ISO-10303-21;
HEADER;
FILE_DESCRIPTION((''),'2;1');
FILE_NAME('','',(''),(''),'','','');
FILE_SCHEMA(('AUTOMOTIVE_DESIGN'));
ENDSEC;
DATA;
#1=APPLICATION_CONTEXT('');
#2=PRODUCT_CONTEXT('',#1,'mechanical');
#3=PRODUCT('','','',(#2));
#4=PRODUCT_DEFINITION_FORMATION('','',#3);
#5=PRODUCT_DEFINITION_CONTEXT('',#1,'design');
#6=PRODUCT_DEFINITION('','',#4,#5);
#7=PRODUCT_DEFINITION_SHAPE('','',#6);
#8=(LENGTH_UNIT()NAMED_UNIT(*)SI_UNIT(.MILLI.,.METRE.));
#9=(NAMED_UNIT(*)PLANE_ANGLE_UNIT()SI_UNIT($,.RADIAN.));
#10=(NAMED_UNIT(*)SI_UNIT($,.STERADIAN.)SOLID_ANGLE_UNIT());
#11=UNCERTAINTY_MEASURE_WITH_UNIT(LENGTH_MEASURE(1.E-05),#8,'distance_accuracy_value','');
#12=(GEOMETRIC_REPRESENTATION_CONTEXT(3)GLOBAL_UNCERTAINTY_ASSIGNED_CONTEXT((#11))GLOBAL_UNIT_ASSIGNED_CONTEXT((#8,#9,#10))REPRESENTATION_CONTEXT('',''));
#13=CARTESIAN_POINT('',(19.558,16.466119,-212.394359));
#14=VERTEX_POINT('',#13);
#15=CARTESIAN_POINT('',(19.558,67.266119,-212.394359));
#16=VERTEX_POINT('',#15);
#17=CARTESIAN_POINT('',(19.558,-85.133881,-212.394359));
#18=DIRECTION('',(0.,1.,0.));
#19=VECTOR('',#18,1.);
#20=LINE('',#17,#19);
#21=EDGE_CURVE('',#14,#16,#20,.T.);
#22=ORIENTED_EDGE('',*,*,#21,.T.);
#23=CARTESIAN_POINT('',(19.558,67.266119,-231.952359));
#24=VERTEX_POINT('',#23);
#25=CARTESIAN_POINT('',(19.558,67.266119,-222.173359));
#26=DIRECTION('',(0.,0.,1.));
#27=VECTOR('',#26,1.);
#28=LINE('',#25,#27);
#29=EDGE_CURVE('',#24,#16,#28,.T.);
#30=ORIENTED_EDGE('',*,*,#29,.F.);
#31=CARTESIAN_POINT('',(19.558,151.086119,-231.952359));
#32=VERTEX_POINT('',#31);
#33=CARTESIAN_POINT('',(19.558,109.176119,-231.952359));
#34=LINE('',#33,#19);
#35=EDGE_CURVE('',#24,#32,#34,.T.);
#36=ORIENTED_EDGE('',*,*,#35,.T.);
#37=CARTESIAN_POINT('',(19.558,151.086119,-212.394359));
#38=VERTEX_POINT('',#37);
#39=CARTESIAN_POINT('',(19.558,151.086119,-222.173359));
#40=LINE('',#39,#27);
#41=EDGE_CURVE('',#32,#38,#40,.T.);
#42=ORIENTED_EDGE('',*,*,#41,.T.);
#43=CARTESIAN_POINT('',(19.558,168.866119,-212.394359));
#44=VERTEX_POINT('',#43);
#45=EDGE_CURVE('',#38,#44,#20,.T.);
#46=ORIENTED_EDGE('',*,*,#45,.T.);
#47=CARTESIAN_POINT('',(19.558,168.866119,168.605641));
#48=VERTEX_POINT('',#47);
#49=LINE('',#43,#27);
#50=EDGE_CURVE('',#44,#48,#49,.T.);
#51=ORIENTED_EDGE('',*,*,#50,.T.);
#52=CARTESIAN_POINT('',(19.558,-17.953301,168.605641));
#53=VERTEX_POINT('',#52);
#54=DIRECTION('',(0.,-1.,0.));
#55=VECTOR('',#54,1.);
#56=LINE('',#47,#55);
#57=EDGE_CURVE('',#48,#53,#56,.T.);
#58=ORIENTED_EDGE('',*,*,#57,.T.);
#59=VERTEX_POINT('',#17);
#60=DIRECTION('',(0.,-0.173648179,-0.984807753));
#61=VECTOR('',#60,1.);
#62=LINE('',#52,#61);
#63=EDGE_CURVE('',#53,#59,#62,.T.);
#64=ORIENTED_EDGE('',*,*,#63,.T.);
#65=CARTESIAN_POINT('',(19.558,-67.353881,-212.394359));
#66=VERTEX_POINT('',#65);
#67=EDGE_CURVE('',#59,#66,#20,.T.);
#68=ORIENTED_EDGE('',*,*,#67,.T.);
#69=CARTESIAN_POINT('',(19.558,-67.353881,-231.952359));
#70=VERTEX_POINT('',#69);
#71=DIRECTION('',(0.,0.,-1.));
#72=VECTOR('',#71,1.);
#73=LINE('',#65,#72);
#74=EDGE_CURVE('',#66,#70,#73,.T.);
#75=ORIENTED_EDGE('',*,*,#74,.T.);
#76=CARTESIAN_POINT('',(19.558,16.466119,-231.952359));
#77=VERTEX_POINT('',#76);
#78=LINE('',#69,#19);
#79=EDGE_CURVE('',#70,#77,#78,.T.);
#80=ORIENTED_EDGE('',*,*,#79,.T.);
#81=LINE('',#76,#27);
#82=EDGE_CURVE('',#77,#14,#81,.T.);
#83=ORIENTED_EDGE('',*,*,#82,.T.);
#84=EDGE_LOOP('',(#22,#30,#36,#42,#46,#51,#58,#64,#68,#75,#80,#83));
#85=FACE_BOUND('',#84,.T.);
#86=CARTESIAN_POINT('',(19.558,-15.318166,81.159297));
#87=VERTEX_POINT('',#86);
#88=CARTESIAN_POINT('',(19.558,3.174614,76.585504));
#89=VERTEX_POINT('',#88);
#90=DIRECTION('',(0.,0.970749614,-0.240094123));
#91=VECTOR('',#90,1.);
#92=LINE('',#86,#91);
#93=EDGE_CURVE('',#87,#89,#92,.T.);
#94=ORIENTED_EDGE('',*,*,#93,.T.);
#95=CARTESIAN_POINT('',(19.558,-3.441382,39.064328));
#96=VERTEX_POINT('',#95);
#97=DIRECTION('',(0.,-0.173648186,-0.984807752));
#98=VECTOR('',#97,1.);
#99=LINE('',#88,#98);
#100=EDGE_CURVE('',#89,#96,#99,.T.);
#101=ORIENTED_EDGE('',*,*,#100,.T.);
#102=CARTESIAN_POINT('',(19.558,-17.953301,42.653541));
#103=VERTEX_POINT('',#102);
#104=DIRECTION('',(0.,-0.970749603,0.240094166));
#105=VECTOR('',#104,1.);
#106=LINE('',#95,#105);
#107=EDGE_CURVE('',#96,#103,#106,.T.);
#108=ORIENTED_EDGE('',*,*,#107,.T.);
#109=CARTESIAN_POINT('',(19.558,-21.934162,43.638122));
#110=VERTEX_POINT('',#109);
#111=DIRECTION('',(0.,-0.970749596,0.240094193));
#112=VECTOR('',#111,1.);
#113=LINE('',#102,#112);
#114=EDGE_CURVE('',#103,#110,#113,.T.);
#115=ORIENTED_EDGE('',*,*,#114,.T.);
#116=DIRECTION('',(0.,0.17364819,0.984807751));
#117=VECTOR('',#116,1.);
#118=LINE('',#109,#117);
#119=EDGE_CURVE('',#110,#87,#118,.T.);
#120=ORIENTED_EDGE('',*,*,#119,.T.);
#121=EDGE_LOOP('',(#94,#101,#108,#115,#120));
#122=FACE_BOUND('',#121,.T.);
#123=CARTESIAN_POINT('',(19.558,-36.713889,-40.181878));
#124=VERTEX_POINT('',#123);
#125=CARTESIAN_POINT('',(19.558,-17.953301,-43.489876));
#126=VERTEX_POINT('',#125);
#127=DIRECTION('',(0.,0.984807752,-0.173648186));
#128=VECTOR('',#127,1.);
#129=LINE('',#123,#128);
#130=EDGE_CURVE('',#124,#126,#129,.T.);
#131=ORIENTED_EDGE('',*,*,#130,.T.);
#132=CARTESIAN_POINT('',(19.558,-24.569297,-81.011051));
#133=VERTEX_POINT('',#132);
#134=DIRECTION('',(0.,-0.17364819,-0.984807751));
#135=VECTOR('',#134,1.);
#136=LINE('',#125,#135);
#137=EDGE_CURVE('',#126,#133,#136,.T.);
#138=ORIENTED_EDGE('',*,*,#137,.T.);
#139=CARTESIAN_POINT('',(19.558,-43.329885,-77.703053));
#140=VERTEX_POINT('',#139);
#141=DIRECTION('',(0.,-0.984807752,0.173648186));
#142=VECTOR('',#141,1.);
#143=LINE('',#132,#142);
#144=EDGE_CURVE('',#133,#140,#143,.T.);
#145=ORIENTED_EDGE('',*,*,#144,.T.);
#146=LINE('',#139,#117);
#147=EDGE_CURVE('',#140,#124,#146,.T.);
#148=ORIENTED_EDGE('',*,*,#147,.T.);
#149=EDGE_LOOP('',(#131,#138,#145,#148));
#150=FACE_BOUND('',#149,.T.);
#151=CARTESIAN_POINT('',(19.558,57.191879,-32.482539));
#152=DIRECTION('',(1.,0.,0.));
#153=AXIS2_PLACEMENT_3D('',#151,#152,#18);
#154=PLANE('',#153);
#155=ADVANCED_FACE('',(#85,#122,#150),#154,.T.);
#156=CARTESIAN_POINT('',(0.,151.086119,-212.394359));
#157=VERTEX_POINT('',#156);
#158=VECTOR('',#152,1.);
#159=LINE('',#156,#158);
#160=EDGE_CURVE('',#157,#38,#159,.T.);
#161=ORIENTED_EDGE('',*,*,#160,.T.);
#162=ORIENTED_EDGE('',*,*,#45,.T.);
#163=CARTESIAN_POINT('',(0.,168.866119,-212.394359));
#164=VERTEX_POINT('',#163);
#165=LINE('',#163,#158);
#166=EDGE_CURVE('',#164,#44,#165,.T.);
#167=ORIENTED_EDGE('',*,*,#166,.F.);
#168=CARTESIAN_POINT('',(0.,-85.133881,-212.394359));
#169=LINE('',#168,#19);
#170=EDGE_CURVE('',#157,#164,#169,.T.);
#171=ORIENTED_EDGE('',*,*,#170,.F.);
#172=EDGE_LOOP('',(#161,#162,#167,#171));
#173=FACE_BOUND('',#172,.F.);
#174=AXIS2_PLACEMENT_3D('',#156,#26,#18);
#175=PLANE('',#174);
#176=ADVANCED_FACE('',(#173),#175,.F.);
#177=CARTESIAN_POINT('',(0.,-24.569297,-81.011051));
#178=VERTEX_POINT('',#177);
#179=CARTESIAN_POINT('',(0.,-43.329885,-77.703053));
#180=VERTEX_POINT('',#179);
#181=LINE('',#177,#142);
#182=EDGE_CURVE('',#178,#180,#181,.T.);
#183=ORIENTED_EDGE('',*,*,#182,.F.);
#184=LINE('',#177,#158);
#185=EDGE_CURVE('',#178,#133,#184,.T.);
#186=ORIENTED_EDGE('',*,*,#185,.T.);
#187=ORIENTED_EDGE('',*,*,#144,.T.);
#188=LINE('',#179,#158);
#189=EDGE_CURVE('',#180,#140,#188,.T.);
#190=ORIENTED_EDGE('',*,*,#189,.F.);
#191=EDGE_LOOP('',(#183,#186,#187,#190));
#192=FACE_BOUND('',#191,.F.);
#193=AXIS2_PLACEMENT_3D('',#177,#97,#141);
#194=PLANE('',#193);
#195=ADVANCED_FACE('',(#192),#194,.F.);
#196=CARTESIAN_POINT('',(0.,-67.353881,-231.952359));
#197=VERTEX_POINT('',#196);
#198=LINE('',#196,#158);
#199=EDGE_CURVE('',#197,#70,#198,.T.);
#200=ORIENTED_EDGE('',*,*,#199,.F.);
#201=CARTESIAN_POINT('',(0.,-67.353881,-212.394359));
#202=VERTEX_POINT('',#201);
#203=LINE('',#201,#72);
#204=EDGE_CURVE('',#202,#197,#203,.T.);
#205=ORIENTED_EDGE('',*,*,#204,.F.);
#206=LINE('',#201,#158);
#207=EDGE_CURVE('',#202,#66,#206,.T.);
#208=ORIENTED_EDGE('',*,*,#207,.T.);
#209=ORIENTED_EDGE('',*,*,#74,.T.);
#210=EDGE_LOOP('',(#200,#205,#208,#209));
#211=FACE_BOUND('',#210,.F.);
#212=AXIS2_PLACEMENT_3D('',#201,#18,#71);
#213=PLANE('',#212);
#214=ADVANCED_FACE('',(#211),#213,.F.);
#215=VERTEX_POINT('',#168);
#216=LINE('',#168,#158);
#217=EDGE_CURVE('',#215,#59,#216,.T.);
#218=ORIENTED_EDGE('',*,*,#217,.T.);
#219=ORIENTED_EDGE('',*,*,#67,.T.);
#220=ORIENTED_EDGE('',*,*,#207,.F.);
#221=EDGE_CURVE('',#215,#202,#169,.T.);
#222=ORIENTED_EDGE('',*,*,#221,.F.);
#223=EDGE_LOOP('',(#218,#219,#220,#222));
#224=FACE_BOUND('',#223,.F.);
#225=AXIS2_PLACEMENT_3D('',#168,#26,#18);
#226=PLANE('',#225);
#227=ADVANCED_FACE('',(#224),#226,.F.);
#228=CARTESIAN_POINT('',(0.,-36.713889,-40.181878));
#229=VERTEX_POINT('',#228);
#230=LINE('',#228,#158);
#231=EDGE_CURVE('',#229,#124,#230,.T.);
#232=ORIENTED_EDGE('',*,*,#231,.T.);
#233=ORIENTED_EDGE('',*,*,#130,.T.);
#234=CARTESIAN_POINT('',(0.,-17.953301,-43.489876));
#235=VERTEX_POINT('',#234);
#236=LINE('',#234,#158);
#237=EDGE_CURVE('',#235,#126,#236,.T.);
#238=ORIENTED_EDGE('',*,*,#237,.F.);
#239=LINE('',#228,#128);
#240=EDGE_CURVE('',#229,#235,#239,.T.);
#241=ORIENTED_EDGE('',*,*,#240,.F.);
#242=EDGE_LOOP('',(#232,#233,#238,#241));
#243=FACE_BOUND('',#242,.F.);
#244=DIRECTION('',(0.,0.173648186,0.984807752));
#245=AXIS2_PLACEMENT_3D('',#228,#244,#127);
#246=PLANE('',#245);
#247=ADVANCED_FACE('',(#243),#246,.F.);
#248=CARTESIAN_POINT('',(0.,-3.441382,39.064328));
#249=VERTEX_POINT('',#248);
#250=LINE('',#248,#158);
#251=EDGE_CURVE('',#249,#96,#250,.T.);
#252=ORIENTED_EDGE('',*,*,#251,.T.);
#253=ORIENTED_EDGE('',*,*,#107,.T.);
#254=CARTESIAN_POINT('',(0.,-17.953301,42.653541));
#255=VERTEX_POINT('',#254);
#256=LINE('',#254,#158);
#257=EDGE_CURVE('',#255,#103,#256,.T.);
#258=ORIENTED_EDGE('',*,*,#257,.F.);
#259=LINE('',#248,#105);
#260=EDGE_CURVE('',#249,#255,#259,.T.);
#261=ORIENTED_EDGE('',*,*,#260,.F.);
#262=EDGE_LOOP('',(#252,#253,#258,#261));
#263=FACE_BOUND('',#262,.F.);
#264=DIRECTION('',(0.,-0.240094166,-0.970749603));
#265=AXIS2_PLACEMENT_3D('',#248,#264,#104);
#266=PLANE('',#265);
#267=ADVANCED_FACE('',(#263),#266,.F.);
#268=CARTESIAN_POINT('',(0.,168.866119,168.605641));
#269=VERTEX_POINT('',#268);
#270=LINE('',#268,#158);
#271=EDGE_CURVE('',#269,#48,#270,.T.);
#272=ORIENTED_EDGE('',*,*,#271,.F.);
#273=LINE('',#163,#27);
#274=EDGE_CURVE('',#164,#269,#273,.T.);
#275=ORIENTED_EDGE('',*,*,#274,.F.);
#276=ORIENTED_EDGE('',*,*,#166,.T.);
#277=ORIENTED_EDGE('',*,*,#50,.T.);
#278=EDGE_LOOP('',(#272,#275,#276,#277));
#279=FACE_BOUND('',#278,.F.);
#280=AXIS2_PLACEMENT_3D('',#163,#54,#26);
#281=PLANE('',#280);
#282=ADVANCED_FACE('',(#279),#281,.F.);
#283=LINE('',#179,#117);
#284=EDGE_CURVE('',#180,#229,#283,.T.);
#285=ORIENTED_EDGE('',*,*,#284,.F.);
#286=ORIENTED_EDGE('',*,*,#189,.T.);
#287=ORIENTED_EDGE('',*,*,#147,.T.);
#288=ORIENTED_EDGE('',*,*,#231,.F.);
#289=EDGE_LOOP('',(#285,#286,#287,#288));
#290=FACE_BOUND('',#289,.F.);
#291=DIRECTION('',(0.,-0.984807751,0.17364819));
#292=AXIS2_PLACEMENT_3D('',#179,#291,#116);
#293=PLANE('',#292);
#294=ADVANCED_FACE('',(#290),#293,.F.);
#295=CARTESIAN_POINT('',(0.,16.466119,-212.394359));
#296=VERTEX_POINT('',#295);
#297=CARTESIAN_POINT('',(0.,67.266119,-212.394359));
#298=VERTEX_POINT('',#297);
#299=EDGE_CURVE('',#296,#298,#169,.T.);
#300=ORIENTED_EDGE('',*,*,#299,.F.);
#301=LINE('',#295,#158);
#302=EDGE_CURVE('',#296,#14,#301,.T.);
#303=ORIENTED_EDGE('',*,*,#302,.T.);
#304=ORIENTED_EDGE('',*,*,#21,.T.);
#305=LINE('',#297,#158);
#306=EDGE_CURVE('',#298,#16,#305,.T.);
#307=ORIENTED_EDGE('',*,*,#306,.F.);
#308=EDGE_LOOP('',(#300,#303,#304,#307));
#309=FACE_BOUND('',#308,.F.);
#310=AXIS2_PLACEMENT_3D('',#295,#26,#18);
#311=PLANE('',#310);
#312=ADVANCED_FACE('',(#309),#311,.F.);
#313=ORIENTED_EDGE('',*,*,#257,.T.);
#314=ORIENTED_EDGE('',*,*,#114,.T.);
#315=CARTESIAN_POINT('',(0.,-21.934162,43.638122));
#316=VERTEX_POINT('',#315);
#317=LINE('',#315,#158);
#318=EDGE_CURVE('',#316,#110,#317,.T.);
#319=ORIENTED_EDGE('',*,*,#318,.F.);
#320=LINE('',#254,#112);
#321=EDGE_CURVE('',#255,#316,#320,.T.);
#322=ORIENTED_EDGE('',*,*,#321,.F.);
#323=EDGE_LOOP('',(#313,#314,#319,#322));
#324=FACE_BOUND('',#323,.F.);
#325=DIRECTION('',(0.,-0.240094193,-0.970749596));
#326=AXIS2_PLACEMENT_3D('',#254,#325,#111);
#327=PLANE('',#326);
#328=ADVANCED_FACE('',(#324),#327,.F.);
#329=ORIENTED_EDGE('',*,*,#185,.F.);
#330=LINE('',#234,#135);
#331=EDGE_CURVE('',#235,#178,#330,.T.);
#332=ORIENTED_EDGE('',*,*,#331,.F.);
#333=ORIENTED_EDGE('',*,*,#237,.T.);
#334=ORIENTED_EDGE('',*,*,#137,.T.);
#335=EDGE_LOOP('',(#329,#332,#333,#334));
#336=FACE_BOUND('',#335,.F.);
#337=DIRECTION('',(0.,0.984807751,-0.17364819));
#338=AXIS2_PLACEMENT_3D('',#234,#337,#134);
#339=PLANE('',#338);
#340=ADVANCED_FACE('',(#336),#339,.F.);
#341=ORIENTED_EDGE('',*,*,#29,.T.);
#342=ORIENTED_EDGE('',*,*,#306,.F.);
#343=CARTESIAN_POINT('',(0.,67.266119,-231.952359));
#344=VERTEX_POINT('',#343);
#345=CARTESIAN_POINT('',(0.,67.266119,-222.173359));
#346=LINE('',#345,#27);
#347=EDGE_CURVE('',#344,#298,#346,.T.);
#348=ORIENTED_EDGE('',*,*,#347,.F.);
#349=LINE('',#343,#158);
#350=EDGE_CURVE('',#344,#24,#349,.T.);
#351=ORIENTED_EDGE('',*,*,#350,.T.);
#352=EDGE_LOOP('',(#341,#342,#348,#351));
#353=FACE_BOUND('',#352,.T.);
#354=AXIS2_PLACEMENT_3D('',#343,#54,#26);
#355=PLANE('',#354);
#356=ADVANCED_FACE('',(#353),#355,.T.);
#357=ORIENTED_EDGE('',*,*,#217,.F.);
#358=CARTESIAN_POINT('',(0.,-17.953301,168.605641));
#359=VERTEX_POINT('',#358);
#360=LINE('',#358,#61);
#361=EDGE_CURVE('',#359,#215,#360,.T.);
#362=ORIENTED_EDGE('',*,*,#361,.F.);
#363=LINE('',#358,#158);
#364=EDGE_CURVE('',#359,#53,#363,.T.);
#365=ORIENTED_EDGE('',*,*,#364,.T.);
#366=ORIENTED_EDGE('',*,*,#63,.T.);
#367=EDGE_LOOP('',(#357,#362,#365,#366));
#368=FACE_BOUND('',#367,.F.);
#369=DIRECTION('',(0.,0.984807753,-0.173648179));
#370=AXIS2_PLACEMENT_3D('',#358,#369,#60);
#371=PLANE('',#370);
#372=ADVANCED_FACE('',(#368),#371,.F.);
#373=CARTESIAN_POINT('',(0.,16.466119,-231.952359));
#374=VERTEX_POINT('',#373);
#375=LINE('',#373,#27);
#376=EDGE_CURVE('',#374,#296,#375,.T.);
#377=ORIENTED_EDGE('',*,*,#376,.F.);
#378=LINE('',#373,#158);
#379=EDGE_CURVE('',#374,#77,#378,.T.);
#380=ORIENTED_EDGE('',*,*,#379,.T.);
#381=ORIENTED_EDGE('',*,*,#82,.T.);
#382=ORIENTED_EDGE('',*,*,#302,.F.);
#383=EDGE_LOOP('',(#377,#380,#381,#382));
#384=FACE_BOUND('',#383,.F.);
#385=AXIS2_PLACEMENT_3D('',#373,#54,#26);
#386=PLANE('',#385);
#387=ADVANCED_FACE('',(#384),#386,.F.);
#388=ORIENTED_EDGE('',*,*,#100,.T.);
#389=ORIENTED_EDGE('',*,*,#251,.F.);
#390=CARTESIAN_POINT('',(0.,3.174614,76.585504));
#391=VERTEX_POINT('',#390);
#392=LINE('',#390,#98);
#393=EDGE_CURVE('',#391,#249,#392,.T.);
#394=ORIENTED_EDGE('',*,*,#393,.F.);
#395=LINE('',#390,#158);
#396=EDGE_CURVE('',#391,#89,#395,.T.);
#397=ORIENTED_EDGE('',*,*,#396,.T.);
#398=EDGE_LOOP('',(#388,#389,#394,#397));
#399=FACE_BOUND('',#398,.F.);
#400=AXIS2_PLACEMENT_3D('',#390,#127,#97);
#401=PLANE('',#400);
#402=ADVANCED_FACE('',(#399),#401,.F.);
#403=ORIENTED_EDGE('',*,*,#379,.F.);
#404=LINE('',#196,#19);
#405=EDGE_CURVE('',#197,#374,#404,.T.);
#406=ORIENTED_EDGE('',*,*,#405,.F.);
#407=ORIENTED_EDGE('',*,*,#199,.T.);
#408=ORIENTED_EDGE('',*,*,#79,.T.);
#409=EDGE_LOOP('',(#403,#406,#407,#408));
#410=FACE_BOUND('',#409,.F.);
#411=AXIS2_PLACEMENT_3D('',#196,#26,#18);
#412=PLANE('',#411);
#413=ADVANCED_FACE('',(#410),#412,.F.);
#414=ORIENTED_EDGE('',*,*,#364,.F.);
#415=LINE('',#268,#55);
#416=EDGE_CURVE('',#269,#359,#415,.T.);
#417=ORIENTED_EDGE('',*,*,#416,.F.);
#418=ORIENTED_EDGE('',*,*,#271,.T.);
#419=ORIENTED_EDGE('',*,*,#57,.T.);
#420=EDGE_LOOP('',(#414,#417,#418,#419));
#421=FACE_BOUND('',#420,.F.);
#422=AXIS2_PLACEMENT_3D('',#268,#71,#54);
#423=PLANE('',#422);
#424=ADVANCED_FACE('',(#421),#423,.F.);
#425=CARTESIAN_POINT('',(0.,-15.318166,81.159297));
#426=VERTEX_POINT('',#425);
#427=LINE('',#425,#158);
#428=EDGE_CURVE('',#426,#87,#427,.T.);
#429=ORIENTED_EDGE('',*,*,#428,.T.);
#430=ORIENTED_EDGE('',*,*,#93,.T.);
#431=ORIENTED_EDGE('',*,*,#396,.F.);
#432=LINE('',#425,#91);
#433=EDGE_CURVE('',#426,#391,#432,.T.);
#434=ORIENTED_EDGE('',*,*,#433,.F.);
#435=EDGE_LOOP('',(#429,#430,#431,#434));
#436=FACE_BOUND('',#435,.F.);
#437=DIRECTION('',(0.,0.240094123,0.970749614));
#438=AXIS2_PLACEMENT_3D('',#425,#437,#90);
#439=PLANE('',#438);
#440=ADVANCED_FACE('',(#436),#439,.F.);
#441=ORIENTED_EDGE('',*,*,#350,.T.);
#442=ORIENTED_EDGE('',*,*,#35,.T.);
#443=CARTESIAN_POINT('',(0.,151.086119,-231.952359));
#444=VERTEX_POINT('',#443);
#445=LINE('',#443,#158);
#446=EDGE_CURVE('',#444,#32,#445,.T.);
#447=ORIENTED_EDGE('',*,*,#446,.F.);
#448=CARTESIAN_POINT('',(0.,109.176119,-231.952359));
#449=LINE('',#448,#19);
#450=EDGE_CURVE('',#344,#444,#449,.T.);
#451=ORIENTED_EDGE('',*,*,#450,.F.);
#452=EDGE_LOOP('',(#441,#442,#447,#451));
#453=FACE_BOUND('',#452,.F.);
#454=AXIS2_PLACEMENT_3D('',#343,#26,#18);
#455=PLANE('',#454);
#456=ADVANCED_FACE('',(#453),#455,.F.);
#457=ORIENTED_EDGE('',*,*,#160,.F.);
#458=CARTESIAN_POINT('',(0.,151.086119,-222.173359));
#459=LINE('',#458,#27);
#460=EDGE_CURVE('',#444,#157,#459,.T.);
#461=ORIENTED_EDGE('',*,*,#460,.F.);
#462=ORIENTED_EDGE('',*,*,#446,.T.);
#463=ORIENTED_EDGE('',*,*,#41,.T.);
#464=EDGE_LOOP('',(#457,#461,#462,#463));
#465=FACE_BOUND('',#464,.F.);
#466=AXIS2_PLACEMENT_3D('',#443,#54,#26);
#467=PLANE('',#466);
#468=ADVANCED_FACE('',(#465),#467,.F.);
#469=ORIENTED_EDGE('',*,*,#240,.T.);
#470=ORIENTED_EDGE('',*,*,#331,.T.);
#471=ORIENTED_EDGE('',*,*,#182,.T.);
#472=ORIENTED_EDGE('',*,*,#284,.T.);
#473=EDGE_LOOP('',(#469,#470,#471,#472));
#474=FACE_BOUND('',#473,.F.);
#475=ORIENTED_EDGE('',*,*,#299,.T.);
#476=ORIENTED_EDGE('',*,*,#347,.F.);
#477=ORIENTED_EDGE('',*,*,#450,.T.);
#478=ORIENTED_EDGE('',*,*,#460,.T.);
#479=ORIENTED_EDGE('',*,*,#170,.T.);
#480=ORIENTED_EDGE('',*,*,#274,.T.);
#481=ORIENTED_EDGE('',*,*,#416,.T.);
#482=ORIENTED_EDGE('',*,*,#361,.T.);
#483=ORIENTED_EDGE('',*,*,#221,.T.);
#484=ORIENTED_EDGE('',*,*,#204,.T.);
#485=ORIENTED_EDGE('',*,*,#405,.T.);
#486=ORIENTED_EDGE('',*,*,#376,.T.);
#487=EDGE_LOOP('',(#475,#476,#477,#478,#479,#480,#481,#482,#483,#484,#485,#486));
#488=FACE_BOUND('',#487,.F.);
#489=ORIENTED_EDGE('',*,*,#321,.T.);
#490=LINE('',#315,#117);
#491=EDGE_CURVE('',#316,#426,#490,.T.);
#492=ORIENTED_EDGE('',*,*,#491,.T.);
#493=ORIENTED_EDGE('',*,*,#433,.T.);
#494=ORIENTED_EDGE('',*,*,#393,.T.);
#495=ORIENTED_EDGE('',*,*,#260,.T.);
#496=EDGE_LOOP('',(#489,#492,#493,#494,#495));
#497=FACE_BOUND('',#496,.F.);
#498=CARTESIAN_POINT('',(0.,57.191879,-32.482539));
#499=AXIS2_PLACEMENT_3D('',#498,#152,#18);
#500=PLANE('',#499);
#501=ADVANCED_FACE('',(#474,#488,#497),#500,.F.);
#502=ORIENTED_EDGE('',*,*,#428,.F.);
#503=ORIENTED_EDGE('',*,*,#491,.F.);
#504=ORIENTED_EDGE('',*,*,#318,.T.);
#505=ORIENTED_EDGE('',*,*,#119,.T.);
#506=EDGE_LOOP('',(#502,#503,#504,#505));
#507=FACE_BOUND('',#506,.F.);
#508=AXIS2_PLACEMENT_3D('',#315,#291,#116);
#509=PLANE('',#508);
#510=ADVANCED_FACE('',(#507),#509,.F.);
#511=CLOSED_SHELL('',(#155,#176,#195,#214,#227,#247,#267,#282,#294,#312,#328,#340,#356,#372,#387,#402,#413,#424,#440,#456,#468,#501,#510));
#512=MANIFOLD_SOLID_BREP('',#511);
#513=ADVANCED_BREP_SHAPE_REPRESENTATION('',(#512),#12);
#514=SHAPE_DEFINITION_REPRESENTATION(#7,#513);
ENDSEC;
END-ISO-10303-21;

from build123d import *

# Parameters (mm, degrees)
F0_W     = 83.82
F0_H     = 19.558
F1_DEPTH = 19.558


with BuildPart() as f1:
    # F0 (on Right) → F1 (new body)
    with BuildSketch(Plane.YZ):
        Polygon((-17.953301, 168.605641), (-85.133881, -212.394359), (-67.353881, -212.394359), (-17.953301, -212.394359), (16.466119, -212.394359), (67.266119, -212.394359), (151.086119, -212.394359), (168.866119, -212.394359), (168.866119, 168.605641), align=None)
        Polygon((-24.569297, -81.011051), (-43.329885, -77.703053), (-36.713889, -40.181878), (-17.953301, -43.489876), align=None, mode=Mode.SUBTRACT)
        Polygon((-17.953301, 42.653541), (-21.934162, 43.638122), (-15.318166, 81.159297), (3.174614, 76.585504), (-3.441382, 39.064328), align=None, mode=Mode.SUBTRACT)
        Polygon((-17.953301, -212.394359), (-67.353881, -212.394359), (-67.353881, -231.952359), (16.466119, -231.952359), (16.466119, -212.394359), align=None)
        with Locations((109.176119, -222.173359)):
            Rectangle(F0_W, F0_H)
    extrude(amount=F1_DEPTH)


solid = f1.part
